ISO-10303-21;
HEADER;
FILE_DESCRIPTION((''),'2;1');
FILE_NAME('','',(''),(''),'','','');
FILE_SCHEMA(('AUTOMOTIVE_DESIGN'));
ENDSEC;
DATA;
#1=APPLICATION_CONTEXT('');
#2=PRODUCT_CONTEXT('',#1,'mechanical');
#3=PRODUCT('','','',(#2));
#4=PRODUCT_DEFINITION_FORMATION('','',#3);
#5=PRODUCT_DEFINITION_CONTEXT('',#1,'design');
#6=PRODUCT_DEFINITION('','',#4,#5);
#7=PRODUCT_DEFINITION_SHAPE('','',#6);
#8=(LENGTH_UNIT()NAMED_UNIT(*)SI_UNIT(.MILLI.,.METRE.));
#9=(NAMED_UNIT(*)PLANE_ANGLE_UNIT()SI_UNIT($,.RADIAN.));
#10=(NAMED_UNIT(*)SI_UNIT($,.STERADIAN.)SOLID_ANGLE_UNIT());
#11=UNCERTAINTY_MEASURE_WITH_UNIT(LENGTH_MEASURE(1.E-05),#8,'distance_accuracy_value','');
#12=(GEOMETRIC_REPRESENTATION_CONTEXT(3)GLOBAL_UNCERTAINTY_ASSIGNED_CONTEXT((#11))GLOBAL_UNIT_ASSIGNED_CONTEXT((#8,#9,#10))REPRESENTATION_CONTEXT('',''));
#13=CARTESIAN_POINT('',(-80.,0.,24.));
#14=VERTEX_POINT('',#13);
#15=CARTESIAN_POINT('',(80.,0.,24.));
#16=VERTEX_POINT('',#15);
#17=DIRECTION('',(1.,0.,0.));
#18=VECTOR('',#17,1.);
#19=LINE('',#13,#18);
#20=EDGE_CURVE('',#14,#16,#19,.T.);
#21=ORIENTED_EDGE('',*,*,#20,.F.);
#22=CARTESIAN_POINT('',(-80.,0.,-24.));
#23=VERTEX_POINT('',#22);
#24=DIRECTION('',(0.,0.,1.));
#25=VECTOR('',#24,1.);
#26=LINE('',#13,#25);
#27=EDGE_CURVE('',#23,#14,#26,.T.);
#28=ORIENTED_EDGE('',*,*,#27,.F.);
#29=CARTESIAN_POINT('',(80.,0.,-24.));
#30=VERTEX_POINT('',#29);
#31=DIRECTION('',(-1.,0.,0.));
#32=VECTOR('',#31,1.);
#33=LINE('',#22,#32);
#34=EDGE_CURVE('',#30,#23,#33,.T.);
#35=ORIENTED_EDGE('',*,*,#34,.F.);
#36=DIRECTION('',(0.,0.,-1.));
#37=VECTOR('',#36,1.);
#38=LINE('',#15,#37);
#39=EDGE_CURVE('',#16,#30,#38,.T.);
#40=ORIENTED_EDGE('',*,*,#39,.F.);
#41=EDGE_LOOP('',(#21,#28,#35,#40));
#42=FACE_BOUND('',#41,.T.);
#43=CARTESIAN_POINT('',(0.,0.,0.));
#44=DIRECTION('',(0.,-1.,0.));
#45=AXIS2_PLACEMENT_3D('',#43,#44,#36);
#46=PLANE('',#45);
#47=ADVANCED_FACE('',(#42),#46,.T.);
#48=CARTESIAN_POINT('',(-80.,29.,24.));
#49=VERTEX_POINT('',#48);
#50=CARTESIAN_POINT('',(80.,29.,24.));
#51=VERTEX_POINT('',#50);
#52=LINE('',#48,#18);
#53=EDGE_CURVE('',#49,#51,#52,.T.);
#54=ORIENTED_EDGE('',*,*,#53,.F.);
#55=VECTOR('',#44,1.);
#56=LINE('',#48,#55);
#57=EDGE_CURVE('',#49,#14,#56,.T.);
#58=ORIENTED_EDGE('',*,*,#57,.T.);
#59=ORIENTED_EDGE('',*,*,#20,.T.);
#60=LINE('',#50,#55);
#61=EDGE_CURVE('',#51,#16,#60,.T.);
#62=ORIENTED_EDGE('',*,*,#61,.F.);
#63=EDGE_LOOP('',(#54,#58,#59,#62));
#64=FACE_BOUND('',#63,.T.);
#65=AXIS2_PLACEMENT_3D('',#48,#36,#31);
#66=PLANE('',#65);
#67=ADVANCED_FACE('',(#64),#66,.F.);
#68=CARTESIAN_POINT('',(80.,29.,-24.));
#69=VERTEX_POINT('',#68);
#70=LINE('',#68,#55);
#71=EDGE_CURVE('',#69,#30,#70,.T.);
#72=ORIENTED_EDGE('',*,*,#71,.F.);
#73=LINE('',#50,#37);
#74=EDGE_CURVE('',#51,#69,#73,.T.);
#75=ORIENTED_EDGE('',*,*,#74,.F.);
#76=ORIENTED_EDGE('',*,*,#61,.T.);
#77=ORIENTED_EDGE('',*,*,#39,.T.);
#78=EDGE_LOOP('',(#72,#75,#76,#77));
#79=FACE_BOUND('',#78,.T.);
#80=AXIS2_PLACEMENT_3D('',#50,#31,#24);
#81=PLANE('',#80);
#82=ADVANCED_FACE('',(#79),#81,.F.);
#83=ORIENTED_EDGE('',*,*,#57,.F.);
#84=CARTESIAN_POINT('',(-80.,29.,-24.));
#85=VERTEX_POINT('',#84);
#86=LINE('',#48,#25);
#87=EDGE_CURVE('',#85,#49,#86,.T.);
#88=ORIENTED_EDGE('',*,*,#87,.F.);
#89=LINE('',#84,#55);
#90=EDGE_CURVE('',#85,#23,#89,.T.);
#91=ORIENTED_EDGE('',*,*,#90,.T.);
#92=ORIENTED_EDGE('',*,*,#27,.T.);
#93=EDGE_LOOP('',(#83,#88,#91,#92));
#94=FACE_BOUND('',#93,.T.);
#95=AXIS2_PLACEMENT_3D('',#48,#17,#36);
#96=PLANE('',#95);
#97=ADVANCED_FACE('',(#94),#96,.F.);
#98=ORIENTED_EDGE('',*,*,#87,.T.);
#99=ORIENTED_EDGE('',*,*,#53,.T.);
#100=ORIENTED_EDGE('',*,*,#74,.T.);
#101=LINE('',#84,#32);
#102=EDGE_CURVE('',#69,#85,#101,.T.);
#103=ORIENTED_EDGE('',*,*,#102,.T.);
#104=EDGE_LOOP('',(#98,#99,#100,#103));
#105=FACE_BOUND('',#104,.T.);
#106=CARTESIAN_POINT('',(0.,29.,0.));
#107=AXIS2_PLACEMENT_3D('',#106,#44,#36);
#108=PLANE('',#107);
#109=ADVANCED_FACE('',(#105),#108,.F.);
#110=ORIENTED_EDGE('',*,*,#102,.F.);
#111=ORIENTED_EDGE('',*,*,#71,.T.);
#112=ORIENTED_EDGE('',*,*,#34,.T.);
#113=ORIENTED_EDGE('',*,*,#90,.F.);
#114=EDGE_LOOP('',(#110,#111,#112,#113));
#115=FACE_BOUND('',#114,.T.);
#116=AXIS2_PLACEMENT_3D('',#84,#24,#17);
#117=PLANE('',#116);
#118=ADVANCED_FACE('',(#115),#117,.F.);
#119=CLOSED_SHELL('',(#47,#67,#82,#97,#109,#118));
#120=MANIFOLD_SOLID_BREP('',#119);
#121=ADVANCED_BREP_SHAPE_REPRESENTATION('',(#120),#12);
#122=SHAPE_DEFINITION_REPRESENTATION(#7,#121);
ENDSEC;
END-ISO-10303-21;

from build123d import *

# Parameters (mm, degrees)
IZIM1_W                     = 160
IZIM1_H                     = 48
Y_KSEKLIK_EKSTR_ZYON1_DEPTH = 29


with BuildPart() as part:
    # Çizim1 → Yükseklik-Ekstrüzyon1 (new body)
    with BuildSketch(Plane(origin=(0, 0, 0), x_dir=(1, 0, 0), z_dir=(0, 1, 0))):
        Rectangle(IZIM1_W, IZIM1_H)
    extrude(amount=Y_KSEKLIK_EKSTR_ZYON1_DEPTH)


solid = part.part
